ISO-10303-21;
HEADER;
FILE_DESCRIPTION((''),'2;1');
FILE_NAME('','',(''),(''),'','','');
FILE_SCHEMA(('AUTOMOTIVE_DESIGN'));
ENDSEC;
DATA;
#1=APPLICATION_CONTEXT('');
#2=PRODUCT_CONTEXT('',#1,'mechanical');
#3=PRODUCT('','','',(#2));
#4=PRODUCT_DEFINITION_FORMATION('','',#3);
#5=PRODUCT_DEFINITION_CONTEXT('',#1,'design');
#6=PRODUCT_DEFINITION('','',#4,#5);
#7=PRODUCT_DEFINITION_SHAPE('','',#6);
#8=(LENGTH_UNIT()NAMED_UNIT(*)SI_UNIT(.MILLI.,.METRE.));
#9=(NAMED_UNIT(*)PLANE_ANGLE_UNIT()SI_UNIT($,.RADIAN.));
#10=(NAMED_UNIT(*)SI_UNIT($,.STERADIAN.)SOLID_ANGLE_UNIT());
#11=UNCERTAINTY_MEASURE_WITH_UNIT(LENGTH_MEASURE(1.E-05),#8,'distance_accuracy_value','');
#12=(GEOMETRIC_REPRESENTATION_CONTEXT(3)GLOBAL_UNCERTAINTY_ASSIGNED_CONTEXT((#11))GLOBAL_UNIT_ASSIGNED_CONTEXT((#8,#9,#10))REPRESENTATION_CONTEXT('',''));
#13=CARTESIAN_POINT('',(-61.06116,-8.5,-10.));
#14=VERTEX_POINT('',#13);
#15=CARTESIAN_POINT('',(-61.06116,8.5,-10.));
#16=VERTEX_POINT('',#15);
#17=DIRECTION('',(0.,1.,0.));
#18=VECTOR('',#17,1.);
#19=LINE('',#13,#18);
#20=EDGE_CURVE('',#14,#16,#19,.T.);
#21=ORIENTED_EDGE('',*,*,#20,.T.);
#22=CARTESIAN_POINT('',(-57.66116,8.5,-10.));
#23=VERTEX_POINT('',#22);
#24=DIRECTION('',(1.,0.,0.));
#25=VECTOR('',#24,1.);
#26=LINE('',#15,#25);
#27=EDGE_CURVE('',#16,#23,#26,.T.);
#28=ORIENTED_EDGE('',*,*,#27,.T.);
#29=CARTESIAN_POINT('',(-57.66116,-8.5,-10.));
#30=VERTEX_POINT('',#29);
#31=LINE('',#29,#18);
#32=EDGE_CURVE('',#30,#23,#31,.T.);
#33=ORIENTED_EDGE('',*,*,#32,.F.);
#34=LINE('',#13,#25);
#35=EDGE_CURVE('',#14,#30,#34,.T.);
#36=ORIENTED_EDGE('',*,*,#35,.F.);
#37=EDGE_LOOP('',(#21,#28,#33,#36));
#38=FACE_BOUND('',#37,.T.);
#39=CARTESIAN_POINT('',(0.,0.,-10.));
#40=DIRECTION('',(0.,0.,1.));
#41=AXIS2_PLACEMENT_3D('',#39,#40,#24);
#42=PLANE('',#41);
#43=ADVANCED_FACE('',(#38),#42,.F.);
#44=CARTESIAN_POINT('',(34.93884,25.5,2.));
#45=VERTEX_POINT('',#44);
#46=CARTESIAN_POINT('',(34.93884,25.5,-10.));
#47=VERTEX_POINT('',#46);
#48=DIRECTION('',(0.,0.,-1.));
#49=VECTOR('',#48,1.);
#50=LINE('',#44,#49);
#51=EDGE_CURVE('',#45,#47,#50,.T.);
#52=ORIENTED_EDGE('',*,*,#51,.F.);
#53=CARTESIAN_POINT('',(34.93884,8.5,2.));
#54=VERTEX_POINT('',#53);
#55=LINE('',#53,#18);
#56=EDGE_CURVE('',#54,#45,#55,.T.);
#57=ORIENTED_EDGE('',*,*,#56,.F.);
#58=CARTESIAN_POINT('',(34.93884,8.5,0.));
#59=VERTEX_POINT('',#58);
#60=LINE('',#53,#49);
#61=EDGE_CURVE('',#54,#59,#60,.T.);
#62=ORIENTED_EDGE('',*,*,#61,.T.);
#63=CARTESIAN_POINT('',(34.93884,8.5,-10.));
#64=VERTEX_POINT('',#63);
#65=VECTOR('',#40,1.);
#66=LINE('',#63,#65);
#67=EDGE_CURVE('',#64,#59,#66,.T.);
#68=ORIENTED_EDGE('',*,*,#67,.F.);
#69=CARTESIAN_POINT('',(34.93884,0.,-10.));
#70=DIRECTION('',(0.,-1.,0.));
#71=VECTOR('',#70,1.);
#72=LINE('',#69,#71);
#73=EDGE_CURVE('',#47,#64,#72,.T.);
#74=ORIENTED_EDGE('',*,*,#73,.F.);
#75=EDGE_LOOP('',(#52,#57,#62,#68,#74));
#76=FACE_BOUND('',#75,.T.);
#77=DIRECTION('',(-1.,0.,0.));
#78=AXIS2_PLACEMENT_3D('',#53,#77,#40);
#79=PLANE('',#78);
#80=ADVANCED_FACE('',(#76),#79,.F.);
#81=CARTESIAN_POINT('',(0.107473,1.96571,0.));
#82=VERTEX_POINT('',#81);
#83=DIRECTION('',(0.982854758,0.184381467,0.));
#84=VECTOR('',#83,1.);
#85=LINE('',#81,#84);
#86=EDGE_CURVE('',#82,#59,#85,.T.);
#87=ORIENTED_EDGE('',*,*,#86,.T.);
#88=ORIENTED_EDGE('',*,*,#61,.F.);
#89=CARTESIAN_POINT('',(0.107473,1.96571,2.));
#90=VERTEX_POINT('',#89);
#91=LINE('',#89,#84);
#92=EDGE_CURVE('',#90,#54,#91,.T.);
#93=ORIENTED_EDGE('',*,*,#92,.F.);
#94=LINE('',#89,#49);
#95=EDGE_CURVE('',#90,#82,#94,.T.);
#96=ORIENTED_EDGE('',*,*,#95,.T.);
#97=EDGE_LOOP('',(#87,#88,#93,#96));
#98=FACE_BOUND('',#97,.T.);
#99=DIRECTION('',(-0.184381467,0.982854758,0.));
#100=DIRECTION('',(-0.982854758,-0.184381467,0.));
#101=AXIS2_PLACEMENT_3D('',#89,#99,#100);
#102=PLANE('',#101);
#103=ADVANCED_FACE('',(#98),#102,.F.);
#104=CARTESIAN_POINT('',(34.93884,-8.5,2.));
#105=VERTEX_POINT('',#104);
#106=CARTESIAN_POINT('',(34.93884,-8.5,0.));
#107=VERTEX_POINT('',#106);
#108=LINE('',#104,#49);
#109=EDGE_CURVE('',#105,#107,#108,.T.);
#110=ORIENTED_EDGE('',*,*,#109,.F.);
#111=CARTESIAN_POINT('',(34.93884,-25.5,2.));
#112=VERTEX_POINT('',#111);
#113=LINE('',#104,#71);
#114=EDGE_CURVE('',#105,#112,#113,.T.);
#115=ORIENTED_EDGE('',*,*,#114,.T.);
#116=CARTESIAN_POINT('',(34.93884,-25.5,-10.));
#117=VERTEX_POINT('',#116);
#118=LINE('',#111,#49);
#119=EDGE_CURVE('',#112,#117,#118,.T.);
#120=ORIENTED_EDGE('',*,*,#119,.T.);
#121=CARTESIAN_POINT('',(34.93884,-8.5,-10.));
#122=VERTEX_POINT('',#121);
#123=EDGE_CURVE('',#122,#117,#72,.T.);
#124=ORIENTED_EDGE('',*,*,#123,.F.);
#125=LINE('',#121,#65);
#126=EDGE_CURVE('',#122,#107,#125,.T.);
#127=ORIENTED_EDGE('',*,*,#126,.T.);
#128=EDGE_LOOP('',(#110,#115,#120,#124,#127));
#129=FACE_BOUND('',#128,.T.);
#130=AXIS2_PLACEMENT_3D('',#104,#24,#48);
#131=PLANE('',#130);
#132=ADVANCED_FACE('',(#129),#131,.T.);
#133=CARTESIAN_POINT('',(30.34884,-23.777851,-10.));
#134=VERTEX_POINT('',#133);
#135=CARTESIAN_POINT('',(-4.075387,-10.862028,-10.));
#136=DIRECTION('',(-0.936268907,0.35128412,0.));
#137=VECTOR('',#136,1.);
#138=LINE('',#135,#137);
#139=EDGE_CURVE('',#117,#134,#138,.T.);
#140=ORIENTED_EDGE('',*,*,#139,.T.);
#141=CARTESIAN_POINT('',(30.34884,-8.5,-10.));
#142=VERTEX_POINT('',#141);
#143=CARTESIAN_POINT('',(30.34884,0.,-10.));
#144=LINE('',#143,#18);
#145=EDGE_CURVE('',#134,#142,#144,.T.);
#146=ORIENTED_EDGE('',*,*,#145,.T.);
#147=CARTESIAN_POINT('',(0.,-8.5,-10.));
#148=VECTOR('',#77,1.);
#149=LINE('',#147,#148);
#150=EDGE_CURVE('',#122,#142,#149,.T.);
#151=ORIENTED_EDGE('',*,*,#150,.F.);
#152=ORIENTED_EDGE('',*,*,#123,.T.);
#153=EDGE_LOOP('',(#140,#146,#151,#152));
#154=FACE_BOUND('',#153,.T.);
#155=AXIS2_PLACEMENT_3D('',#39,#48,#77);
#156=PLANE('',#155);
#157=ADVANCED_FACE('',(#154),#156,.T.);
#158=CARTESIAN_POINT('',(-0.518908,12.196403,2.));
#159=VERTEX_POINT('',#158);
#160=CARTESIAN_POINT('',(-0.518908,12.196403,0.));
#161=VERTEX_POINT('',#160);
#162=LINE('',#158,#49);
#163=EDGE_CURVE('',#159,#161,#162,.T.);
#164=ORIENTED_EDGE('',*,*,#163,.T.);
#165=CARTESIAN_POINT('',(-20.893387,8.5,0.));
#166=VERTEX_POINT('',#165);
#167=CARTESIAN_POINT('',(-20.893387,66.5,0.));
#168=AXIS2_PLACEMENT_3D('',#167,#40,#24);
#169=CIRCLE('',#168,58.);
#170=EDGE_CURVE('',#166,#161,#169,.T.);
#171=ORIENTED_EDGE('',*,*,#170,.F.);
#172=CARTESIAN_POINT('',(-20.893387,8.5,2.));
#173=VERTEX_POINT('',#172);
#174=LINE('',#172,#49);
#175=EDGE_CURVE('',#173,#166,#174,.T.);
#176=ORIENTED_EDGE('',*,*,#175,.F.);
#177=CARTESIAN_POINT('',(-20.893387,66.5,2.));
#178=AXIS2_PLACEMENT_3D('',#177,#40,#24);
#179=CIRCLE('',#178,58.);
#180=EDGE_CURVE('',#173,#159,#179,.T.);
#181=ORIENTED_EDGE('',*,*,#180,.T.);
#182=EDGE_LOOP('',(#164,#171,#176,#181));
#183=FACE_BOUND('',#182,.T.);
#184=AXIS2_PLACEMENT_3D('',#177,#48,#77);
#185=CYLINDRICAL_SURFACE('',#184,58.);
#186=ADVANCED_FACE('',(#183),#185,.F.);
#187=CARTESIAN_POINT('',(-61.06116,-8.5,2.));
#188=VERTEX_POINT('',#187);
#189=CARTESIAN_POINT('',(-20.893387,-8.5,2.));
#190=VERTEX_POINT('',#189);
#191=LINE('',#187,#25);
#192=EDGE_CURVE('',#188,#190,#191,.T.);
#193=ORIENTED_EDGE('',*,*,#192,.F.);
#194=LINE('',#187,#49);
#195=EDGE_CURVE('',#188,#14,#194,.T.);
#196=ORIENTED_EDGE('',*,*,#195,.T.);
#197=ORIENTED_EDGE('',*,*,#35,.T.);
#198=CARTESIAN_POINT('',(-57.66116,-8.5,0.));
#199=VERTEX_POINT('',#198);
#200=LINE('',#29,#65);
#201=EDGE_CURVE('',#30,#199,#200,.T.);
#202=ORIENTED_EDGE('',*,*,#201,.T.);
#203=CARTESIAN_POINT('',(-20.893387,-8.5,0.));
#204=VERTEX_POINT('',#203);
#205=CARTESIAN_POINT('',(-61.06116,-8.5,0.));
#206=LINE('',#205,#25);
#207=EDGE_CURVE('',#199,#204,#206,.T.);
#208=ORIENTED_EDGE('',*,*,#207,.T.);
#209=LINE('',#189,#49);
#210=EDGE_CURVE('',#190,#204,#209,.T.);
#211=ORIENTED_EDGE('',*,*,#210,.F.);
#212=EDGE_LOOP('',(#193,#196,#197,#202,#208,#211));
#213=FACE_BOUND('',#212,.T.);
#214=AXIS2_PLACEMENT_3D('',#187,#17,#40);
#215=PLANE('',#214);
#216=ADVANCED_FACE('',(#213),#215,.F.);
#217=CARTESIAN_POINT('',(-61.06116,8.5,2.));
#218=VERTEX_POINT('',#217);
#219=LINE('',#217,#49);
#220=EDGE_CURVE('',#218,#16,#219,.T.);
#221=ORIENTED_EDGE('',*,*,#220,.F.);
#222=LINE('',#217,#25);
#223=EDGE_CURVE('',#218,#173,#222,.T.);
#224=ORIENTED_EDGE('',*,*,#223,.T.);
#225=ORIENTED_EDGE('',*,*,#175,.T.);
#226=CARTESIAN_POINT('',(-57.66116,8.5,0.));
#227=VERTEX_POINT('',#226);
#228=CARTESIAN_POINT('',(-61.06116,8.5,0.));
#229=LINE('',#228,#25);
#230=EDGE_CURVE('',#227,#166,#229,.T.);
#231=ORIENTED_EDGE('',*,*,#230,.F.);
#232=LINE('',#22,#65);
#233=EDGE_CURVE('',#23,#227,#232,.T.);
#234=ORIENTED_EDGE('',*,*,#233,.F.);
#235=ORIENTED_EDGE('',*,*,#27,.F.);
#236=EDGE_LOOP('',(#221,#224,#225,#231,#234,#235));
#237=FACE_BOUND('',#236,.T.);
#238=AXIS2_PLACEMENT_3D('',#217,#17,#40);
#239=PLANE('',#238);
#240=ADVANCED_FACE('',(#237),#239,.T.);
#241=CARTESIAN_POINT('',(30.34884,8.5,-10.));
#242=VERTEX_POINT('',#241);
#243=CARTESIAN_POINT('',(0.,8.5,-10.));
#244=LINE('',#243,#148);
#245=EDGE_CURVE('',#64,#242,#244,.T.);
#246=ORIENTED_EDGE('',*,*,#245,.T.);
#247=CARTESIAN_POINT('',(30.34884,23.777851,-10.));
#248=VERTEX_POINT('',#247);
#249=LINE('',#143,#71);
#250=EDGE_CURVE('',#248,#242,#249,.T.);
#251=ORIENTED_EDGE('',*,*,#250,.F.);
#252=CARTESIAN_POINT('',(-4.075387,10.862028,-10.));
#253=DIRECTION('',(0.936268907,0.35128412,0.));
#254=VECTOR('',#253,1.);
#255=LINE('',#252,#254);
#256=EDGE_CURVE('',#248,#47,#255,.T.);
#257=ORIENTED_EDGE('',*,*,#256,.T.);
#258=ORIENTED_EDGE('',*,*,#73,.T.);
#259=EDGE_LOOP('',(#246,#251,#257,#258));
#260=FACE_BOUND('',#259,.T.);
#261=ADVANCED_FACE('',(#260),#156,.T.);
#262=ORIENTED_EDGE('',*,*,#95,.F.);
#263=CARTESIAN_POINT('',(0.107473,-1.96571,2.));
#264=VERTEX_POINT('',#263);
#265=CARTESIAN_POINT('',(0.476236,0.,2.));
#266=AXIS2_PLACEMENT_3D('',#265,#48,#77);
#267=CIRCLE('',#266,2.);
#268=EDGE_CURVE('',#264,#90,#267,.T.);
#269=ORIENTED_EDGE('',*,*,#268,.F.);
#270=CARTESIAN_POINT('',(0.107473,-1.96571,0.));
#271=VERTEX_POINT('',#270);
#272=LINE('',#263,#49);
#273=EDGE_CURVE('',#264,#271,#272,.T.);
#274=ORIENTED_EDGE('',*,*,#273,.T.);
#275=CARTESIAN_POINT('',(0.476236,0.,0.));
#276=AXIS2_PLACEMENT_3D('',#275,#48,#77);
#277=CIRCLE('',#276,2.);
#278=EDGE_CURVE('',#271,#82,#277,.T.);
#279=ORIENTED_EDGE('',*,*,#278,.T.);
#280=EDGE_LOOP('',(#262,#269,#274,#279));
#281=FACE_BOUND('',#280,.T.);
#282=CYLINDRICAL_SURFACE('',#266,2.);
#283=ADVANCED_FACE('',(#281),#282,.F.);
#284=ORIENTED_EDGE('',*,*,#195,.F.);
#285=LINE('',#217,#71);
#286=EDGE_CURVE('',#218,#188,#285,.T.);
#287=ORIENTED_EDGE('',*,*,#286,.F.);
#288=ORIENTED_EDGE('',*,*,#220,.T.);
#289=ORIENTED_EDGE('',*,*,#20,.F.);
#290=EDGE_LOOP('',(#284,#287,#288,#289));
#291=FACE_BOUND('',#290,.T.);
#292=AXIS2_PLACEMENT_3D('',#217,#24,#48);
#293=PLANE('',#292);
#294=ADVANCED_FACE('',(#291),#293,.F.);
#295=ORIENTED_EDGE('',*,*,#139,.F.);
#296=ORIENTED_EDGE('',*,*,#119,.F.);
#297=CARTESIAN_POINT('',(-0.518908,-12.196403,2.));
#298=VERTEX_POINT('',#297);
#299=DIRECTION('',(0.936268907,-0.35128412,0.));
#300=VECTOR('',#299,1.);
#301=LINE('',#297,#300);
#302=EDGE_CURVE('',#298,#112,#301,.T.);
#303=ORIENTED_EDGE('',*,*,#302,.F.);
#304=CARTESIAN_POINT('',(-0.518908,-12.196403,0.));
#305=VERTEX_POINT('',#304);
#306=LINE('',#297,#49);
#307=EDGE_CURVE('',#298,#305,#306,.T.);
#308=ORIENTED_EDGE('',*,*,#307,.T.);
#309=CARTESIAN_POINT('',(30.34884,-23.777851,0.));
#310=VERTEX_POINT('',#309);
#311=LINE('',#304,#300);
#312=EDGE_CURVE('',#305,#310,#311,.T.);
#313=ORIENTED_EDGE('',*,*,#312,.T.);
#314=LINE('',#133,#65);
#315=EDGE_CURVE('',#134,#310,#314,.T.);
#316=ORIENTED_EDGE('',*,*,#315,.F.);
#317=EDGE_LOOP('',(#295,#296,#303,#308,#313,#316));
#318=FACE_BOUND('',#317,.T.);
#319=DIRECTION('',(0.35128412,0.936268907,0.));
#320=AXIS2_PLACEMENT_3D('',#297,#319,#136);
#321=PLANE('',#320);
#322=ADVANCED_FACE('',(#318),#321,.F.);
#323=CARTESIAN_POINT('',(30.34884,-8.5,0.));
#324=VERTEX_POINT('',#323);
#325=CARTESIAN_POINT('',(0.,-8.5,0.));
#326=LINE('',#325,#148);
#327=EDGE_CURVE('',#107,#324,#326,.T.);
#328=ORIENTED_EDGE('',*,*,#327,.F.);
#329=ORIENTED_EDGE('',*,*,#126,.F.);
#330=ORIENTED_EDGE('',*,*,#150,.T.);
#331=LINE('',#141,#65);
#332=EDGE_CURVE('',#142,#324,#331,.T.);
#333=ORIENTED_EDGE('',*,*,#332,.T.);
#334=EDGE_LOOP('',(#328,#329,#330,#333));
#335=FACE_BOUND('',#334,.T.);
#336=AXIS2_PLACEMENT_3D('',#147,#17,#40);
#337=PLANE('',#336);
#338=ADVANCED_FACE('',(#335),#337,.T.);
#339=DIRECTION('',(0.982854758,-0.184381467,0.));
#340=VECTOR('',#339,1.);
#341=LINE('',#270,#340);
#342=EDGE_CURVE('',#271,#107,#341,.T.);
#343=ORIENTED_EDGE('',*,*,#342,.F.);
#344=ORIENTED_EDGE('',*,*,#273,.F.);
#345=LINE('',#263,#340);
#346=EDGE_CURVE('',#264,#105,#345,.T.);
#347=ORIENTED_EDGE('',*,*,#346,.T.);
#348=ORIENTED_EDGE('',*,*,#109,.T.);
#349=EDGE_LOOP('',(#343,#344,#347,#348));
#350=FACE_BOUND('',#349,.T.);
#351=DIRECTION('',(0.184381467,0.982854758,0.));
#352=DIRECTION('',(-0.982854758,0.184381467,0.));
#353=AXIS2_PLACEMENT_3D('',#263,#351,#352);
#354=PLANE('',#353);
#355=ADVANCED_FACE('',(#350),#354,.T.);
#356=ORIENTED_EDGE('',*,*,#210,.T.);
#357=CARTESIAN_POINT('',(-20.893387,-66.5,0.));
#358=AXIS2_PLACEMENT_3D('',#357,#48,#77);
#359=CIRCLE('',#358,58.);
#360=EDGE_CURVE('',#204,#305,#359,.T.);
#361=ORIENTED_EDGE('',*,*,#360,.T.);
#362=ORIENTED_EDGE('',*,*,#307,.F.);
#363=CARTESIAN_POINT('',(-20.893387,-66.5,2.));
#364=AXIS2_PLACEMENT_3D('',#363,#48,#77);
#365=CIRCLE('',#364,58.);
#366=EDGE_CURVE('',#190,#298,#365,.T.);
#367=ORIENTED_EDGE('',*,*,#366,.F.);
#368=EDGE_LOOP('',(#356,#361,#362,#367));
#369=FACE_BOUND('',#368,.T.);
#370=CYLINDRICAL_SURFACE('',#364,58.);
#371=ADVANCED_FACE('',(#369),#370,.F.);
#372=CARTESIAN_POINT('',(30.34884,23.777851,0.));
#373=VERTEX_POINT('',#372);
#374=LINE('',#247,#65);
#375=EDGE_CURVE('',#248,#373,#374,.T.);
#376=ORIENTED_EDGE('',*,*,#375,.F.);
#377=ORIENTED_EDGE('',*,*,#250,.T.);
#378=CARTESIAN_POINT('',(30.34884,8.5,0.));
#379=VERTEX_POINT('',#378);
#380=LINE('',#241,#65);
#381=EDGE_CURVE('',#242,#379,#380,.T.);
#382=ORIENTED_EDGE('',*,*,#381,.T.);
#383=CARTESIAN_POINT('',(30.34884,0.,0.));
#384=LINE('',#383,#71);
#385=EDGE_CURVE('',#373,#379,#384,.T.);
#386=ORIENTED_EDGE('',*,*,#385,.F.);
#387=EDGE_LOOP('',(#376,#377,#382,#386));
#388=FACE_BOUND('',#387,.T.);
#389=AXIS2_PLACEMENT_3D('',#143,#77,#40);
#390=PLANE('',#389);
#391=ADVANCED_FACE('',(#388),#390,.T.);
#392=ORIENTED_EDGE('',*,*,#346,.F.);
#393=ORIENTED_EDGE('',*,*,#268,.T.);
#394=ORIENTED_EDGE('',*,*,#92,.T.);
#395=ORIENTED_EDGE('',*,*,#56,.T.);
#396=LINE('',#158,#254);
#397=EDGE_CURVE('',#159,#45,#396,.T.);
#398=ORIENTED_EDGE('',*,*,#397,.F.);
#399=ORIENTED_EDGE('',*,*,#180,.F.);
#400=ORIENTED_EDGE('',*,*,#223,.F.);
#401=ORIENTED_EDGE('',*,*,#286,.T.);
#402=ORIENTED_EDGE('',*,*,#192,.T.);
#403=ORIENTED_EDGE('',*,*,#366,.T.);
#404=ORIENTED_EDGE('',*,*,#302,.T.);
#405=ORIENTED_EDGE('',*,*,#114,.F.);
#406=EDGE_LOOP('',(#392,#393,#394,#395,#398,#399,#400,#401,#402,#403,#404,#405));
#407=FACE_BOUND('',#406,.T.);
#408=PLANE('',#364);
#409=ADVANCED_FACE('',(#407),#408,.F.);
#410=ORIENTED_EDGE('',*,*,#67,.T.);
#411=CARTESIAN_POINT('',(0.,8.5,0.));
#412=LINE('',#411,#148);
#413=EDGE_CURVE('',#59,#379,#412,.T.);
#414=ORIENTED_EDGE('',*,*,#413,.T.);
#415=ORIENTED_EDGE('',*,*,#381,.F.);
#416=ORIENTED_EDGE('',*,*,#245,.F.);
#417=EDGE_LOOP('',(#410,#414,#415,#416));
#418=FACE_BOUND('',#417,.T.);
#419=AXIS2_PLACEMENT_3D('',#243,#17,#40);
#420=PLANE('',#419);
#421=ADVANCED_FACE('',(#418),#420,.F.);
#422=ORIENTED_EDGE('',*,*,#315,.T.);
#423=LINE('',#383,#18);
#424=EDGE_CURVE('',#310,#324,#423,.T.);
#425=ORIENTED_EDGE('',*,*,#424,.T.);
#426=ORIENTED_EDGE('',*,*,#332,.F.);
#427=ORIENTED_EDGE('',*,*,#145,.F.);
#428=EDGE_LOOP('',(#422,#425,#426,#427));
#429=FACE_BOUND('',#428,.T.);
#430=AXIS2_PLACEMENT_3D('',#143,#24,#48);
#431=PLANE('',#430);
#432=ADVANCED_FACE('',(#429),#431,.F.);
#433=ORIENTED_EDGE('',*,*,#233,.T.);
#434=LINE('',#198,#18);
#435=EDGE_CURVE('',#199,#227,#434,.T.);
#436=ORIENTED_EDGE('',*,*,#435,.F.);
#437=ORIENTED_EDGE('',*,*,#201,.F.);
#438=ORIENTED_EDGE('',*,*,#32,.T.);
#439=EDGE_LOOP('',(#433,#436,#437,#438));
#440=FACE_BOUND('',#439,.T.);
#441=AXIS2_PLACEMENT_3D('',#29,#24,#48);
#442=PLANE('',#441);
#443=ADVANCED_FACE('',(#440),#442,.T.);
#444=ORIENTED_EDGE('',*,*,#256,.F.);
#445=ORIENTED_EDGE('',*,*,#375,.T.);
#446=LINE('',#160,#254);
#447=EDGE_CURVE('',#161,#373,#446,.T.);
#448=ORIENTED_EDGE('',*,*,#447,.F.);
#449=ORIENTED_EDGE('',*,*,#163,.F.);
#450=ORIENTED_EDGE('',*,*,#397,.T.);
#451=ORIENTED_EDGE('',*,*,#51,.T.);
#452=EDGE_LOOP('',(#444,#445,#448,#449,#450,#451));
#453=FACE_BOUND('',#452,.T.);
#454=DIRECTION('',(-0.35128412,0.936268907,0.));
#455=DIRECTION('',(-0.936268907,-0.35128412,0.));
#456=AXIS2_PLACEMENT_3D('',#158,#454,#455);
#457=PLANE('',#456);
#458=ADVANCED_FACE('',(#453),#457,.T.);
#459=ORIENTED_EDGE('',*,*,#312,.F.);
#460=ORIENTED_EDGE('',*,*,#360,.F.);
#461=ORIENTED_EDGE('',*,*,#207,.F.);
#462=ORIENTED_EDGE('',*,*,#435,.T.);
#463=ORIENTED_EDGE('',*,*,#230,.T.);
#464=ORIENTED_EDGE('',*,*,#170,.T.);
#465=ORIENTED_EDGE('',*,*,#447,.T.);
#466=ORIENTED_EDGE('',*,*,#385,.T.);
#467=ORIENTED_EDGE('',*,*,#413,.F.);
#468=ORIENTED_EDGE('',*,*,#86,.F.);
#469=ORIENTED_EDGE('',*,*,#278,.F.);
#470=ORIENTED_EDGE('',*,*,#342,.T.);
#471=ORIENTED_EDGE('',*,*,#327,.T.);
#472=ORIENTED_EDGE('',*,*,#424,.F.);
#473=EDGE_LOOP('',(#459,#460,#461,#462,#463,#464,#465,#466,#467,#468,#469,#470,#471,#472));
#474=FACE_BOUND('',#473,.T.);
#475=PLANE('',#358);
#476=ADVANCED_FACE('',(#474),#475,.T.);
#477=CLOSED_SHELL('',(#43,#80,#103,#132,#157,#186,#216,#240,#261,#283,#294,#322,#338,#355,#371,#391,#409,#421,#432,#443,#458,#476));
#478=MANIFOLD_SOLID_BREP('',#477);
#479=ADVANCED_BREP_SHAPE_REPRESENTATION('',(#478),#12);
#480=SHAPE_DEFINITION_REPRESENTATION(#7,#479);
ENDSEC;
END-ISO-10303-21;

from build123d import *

# Parameters (mm, degrees)
EXTRUDE_1_DEPTH = 2
SKETCH_3_W      = 3.4
SKETCH_3_H      = 17
EXTRUDE_2_DEPTH = 10


with BuildPart() as part:
    # 스케치1 → 보스-돌출1 (new body)
    with BuildSketch(Plane.XY):
        with BuildLine():
            Line((-0.518908087, 12.196403379), (34.938840058, 25.5))
            Line((34.938840058, 25.5), (34.938840058, 8.5))
            Line((34.938840058, 8.5), (0.107473336, 1.965709515))
            ThreePointArc((0.107473336, 1.965709515), (-1.52376373, 0), (0.107473336, -1.965709515))
            Line((0.107473336, -1.965709515), (34.938840058, -8.5))
            Line((34.938840058, -8.5), (34.938840058, -25.5))
            Line((34.938840058, -25.5), (-0.518908087, -12.196403379))
            ThreePointArc((-0.518908087, -12.196403379), (-10.539851544, -9.431582272), (-20.893387075, -8.5))
            Line((-20.893387075, -8.5), (-61.061159942, -8.5))
            Line((-61.061159942, -8.5), (-61.061159942, 8.5))
            Line((-61.061159942, 8.5), (-20.893387075, 8.5))
            ThreePointArc((-20.893387075, 8.5), (-10.539851544, 9.431582272), (-0.518908087, 12.196403379))
        make_face()
    extrude(amount=EXTRUDE_1_DEPTH)

    # 스케치3 → 보스-돌출2 (add)
    with BuildSketch(Plane(origin=(0, 0, 0), x_dir=(-1, 0, 0), z_dir=(0, 0, -1))):
        Polygon((-34.938840058, 25.5), (-34.938840058, 8.5), (-30.348840058, 8.5), (-30.348840058, 23.77785148), align=None)
        Polygon((-34.938840058, -8.5), (-34.938840058, -25.5), (-30.348840058, -23.77785148), (-30.348840058, -8.5), align=None)
        with Locations((59.361159942, 0)):
            Rectangle(SKETCH_3_W, SKETCH_3_H)
    extrude(amount=EXTRUDE_2_DEPTH)


solid = part.part
